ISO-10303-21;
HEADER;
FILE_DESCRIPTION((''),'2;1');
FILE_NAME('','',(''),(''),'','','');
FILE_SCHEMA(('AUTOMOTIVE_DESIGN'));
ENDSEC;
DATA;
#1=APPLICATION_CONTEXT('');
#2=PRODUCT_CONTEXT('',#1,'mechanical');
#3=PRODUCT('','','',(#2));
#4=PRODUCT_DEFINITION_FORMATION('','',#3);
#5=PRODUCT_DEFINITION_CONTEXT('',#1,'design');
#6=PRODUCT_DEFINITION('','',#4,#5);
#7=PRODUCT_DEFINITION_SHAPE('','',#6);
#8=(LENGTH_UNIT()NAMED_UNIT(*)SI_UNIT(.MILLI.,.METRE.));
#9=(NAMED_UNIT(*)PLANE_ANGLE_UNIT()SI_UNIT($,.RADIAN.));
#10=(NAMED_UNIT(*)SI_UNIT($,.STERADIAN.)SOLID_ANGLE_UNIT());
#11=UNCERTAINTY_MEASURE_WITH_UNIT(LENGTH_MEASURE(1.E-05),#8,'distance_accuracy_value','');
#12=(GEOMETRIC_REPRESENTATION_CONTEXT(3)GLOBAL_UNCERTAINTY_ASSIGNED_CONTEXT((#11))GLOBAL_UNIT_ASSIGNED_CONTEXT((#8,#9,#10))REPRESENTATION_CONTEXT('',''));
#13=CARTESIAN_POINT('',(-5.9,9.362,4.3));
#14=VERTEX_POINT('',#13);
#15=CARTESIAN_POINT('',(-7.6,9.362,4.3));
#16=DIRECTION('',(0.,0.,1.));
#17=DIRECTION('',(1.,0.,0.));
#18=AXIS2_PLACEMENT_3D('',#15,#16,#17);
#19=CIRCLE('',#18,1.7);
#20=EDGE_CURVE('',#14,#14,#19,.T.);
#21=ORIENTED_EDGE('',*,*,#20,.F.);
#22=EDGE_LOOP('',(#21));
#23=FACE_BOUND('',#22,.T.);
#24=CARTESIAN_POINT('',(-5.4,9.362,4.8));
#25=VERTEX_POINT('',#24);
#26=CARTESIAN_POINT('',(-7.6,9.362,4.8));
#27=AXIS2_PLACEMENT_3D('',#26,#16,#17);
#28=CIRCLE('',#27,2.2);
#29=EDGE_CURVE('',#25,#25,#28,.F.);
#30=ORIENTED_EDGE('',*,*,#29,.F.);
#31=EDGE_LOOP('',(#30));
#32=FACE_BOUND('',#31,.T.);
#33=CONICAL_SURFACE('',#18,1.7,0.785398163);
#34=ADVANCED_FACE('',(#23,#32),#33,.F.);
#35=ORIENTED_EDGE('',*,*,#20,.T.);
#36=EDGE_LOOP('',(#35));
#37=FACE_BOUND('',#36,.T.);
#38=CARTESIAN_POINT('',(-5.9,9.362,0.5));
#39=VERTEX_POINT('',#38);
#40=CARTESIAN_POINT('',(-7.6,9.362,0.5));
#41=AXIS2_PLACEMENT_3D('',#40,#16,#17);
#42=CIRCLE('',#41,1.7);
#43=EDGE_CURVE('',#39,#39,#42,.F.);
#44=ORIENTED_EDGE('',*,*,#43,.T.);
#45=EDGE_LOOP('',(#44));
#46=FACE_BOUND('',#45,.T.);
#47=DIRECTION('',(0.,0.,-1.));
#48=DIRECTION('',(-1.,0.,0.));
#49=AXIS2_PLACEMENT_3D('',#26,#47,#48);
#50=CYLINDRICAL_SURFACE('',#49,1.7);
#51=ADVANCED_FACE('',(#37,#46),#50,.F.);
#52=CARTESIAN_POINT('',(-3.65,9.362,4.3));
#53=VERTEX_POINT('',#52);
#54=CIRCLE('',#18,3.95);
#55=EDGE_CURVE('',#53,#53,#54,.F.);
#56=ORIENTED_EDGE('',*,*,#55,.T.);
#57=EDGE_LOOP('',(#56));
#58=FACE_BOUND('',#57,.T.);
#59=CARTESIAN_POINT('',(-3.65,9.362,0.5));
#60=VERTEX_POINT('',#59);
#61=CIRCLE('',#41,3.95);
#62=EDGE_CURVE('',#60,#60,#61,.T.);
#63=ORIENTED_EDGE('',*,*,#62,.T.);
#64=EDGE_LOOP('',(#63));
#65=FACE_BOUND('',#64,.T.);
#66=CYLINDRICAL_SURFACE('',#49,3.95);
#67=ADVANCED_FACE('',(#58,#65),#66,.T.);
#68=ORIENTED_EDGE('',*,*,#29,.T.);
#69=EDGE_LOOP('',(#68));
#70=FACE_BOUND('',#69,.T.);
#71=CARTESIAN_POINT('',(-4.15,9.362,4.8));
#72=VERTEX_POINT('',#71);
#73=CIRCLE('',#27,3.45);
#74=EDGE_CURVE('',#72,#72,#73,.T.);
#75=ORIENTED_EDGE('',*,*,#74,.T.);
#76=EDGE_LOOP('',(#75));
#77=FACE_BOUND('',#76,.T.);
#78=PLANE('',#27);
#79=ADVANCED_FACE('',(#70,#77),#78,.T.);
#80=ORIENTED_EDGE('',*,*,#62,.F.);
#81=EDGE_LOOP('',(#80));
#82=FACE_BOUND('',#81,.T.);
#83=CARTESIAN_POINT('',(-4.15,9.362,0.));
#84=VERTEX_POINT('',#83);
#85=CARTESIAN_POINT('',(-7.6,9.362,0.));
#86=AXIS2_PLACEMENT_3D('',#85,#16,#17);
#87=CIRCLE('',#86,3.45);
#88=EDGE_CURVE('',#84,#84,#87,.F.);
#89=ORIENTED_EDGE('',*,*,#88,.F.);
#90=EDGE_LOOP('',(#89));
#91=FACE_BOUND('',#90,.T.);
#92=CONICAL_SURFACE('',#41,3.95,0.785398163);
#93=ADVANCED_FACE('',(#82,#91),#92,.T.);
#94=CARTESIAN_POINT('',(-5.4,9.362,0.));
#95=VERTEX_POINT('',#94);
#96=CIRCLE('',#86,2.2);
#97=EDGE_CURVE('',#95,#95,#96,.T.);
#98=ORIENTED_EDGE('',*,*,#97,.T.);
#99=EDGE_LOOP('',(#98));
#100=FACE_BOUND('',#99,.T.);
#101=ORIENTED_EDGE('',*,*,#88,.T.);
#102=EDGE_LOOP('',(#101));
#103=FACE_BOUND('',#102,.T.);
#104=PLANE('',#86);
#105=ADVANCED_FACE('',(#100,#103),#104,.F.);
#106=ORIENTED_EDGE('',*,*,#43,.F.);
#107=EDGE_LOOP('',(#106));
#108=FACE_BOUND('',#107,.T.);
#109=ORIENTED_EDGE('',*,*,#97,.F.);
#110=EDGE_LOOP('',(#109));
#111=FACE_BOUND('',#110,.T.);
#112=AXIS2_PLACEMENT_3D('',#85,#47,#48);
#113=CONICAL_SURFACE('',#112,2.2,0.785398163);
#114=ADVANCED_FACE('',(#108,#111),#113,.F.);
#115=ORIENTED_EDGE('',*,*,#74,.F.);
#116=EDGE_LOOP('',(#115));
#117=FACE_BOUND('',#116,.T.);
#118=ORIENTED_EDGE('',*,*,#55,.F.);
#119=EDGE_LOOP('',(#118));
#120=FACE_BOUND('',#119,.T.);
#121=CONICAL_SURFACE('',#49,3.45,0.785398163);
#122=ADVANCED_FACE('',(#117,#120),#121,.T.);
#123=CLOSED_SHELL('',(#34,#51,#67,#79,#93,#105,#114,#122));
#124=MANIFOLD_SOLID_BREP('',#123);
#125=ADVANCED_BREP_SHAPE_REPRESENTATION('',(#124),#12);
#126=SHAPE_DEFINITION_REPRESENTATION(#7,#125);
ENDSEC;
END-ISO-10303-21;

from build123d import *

# Parameters (mm, degrees)
CROQUIS1_R              = 3.95
CROQUIS1_R_2            = 1.7
SALIENTE_EXTRUIR1_DEPTH = 4.8
CHAFL_N1_SIZE           = 0.5


with BuildPart() as part:
    # Croquis1 → Saliente-Extruir1 (new body)
    with BuildSketch(Plane.XY):
        with Locations((-7.600000242, 9.362000442)):
            Circle(CROQUIS1_R)
        with Locations((-7.600000242, 9.362000442)):
            Circle(CROQUIS1_R_2, mode=Mode.SUBTRACT)
    extrude(amount=SALIENTE_EXTRUIR1_DEPTH)

    # Chaflán1
    chafl_n1_edges = [part.edges().sort_by_distance(p)[0] for p in [
        (-11.550000242, 9.362000442, 0),
        (-11.550000242, 9.362000442, 4.8),
        (-9.300000242, 9.362000442, 0),
        (-9.300000242, 9.362000442, 4.8),
    ]]
    chamfer(chafl_n1_edges, length=CHAFL_N1_SIZE)


solid = part.part
